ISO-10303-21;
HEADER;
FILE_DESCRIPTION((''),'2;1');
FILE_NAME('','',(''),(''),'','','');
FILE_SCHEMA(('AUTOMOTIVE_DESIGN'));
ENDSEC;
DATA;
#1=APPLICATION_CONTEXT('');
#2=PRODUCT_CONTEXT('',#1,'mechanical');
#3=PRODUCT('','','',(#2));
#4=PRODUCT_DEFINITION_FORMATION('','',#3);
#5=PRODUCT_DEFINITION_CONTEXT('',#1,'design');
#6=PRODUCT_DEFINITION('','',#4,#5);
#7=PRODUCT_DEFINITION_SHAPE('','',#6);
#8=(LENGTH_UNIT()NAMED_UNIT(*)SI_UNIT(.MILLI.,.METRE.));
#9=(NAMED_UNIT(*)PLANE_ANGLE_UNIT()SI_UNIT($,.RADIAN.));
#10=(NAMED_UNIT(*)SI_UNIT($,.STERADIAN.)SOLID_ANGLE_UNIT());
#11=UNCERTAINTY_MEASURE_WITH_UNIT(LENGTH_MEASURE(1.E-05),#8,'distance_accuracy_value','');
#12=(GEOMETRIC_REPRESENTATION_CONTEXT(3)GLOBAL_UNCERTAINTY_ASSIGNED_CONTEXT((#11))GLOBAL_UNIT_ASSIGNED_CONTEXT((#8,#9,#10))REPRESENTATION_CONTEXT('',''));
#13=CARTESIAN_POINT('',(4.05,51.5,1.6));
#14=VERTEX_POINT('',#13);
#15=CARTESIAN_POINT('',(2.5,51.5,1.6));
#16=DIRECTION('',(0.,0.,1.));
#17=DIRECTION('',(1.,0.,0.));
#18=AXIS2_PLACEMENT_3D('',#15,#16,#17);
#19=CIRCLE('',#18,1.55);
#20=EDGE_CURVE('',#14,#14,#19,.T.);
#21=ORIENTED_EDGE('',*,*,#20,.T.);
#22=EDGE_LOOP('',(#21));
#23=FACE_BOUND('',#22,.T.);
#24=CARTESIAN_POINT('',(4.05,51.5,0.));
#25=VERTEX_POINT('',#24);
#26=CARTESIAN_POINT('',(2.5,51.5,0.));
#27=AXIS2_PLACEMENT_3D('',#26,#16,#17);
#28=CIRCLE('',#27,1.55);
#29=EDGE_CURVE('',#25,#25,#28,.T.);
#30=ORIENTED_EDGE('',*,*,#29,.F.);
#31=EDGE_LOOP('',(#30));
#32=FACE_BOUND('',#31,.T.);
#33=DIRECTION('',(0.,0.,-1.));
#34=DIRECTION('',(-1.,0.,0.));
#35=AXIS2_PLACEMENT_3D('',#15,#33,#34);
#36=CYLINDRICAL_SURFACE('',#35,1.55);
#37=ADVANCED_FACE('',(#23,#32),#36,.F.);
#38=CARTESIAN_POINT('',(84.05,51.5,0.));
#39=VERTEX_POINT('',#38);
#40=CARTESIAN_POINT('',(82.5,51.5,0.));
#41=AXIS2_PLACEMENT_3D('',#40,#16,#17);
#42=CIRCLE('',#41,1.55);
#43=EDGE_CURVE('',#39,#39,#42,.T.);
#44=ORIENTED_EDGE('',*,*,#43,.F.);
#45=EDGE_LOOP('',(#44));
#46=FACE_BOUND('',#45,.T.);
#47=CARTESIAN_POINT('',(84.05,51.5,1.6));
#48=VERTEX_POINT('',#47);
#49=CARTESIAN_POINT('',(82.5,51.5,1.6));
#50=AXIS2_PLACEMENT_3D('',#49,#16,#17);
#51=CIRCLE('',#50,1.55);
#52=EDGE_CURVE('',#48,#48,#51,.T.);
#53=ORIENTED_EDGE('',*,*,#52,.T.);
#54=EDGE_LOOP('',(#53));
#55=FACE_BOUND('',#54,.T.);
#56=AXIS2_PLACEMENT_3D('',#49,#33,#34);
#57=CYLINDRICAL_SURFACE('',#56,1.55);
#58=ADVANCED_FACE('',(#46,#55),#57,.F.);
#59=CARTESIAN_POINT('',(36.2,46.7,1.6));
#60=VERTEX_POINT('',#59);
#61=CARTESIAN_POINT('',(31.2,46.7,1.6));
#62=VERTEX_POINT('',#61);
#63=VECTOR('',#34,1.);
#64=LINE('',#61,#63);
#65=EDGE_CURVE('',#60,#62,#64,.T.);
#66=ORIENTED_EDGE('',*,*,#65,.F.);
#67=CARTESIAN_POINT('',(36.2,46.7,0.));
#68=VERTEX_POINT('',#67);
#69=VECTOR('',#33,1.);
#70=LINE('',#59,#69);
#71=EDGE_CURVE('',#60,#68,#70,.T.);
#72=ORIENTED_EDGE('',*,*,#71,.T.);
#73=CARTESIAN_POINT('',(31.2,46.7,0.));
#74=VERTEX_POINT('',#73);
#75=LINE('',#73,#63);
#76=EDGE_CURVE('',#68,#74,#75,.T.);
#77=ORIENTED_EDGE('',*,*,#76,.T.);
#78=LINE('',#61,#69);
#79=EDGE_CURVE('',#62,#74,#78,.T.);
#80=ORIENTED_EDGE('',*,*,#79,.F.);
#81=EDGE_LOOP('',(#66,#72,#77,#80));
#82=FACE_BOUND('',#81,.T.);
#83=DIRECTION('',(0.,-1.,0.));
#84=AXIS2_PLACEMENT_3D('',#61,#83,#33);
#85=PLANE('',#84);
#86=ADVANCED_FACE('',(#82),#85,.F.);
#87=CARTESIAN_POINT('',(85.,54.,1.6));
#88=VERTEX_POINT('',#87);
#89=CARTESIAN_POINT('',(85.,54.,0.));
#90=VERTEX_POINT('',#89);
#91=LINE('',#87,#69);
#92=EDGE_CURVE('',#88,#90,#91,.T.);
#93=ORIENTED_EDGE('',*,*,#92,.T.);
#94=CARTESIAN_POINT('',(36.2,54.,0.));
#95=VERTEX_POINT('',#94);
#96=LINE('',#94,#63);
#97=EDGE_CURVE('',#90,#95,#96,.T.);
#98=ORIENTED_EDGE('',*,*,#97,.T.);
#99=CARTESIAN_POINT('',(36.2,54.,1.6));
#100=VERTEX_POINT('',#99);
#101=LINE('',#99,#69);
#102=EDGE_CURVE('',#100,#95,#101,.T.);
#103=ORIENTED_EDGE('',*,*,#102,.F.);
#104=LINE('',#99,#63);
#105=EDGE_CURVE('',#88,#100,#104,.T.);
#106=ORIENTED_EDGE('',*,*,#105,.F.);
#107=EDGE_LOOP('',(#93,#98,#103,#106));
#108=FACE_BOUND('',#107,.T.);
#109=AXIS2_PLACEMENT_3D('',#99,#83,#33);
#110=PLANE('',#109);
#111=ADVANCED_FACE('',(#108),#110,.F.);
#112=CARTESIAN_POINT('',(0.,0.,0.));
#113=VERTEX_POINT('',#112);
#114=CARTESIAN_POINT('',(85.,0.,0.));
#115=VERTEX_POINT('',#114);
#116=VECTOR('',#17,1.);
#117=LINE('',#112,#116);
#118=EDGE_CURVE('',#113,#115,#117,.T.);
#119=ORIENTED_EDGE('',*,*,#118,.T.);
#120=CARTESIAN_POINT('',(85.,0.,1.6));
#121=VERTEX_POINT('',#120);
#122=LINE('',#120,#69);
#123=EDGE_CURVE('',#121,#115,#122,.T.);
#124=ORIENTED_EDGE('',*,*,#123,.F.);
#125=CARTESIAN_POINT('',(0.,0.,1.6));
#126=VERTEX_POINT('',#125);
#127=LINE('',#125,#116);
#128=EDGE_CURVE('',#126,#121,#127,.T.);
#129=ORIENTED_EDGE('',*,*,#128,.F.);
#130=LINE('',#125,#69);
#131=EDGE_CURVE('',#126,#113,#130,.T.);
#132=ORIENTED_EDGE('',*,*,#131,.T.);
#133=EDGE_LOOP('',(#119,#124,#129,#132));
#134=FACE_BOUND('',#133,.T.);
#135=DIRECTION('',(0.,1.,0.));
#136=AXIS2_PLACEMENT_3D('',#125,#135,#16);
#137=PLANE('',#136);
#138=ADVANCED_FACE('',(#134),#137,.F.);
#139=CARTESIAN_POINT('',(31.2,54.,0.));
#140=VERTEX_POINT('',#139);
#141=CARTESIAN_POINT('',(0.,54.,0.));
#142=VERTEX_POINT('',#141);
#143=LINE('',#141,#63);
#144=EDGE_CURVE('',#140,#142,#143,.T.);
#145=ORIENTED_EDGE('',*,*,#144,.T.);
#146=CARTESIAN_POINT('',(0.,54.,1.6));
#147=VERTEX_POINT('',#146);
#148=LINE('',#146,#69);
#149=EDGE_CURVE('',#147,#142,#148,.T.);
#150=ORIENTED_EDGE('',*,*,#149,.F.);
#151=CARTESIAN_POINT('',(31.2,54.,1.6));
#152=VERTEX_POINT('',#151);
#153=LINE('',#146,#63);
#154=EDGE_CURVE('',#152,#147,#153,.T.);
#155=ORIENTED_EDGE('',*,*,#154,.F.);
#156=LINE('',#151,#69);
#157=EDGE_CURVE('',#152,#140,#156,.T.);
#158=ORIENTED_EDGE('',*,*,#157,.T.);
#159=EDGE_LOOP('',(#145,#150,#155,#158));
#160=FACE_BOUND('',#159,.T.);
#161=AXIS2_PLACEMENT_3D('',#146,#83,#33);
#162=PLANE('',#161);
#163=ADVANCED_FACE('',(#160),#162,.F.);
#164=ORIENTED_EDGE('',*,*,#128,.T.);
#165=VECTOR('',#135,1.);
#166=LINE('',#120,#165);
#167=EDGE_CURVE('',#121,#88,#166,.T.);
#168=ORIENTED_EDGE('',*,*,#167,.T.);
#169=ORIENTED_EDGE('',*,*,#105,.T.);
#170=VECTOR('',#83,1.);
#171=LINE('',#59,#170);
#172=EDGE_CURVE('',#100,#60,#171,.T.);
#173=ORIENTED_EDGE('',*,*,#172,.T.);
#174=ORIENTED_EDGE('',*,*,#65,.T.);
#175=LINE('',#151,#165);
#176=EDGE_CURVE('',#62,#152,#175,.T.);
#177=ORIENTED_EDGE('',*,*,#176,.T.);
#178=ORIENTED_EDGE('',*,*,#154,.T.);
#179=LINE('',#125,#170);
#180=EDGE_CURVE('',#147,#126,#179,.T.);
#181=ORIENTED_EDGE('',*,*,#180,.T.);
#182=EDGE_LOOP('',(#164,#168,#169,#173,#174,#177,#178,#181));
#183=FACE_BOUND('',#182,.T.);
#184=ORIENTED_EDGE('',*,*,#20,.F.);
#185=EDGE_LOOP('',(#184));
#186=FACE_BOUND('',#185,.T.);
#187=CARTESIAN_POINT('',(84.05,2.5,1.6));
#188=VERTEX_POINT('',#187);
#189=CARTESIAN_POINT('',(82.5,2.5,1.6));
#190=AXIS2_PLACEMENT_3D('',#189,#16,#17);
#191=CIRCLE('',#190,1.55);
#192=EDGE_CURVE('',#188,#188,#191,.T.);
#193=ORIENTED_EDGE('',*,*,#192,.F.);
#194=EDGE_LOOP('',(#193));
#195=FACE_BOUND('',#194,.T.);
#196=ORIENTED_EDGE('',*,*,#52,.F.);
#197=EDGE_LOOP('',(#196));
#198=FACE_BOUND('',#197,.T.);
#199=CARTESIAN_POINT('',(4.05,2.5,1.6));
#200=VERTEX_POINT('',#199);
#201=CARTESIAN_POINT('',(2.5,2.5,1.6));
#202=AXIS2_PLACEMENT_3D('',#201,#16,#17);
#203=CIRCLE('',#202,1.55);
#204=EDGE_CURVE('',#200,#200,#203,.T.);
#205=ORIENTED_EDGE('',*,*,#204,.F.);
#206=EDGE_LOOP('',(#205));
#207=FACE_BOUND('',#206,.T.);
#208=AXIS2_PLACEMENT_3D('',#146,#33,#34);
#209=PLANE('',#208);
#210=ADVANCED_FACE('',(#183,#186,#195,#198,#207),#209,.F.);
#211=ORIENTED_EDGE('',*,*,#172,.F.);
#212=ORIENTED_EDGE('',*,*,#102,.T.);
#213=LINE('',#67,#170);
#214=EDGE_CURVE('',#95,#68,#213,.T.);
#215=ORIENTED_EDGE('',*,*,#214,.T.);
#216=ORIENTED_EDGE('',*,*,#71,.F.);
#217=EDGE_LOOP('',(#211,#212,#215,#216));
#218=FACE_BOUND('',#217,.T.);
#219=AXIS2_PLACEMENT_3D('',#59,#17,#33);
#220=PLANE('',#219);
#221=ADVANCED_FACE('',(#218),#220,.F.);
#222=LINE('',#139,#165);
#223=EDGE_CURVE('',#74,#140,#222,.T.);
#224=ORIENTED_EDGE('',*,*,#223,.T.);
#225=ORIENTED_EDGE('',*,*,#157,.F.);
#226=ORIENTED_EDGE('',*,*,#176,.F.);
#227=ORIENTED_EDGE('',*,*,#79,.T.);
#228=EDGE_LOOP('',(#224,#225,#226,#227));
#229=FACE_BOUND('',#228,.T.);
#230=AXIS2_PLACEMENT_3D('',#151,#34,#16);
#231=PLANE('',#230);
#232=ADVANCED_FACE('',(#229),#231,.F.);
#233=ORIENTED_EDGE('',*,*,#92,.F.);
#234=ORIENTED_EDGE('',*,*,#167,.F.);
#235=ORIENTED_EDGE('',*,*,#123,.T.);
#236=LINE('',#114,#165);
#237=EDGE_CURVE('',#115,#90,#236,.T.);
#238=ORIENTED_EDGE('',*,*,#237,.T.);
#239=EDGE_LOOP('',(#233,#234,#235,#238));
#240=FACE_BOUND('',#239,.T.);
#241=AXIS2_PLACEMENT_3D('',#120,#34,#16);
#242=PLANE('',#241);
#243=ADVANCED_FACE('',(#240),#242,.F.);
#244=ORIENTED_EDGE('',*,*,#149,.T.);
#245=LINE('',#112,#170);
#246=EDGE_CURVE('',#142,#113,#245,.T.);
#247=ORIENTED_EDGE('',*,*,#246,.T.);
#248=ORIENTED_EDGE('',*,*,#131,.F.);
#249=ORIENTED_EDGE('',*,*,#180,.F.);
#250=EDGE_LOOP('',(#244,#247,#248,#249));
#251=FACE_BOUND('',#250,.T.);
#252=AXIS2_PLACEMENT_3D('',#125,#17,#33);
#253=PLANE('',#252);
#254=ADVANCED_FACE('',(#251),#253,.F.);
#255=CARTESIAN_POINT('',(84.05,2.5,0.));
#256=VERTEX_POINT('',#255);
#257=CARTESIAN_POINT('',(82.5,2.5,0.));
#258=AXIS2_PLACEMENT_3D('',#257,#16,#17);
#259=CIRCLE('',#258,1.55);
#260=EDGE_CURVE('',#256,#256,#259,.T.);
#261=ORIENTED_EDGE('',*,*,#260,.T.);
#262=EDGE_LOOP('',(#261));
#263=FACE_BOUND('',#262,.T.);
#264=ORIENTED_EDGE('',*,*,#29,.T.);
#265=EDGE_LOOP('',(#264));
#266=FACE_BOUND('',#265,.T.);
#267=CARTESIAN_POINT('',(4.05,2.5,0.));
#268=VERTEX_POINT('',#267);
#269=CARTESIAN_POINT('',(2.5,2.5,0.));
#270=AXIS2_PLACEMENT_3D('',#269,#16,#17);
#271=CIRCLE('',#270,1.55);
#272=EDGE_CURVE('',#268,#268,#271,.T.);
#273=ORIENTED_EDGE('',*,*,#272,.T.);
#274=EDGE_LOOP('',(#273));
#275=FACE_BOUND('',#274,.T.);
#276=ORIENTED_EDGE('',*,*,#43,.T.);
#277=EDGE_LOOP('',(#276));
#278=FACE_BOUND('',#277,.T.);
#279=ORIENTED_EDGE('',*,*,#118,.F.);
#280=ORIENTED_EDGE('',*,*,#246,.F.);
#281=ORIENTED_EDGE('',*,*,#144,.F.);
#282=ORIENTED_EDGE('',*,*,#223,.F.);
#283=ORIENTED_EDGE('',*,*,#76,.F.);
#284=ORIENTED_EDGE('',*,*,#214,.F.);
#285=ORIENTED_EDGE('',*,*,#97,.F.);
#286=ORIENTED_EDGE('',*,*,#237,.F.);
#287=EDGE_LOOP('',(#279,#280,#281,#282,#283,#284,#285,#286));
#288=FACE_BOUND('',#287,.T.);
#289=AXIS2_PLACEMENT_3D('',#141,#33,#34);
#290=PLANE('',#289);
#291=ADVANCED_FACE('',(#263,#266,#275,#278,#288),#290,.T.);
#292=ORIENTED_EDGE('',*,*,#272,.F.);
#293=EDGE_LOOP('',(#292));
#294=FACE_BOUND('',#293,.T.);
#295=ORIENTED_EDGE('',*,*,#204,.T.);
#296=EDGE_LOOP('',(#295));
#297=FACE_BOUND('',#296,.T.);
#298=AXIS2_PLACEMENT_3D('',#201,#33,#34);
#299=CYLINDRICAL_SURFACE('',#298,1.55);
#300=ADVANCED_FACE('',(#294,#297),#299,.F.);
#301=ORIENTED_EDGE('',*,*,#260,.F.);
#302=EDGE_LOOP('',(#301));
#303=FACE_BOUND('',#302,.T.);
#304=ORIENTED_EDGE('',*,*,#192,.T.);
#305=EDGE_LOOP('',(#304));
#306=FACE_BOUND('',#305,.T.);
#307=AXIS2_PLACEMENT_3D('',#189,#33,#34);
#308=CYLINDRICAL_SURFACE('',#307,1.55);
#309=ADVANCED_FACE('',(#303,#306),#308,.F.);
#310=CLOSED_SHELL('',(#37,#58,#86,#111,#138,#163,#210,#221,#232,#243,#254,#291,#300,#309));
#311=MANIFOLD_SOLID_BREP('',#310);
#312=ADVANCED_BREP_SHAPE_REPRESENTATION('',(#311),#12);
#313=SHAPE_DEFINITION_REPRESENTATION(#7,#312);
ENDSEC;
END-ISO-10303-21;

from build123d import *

# Parameters (mm, degrees)
SKETCH_1_R      = 1.55
EXTRUDE_1_DEPTH = 1.6


with BuildPart() as part:
    # Эскиз1 → Бобышка-Вытянуть1 (new body)
    with BuildSketch(Plane.XY):
        Polygon((0, 54), (31.2, 54), (31.2, 46.7), (36.2, 46.7), (36.2, 54), (85, 54), (85, 0), (0, 0), align=None)
        with Locations((2.5, 51.5)):
            Circle(SKETCH_1_R, mode=Mode.SUBTRACT)
        with Locations((82.5, 51.5)):
            Circle(SKETCH_1_R, mode=Mode.SUBTRACT)
        with Locations((82.5, 2.5)):
            Circle(SKETCH_1_R, mode=Mode.SUBTRACT)
        with Locations((2.5, 2.5)):
            Circle(SKETCH_1_R, mode=Mode.SUBTRACT)
    extrude(amount=EXTRUDE_1_DEPTH)


solid = part.part
